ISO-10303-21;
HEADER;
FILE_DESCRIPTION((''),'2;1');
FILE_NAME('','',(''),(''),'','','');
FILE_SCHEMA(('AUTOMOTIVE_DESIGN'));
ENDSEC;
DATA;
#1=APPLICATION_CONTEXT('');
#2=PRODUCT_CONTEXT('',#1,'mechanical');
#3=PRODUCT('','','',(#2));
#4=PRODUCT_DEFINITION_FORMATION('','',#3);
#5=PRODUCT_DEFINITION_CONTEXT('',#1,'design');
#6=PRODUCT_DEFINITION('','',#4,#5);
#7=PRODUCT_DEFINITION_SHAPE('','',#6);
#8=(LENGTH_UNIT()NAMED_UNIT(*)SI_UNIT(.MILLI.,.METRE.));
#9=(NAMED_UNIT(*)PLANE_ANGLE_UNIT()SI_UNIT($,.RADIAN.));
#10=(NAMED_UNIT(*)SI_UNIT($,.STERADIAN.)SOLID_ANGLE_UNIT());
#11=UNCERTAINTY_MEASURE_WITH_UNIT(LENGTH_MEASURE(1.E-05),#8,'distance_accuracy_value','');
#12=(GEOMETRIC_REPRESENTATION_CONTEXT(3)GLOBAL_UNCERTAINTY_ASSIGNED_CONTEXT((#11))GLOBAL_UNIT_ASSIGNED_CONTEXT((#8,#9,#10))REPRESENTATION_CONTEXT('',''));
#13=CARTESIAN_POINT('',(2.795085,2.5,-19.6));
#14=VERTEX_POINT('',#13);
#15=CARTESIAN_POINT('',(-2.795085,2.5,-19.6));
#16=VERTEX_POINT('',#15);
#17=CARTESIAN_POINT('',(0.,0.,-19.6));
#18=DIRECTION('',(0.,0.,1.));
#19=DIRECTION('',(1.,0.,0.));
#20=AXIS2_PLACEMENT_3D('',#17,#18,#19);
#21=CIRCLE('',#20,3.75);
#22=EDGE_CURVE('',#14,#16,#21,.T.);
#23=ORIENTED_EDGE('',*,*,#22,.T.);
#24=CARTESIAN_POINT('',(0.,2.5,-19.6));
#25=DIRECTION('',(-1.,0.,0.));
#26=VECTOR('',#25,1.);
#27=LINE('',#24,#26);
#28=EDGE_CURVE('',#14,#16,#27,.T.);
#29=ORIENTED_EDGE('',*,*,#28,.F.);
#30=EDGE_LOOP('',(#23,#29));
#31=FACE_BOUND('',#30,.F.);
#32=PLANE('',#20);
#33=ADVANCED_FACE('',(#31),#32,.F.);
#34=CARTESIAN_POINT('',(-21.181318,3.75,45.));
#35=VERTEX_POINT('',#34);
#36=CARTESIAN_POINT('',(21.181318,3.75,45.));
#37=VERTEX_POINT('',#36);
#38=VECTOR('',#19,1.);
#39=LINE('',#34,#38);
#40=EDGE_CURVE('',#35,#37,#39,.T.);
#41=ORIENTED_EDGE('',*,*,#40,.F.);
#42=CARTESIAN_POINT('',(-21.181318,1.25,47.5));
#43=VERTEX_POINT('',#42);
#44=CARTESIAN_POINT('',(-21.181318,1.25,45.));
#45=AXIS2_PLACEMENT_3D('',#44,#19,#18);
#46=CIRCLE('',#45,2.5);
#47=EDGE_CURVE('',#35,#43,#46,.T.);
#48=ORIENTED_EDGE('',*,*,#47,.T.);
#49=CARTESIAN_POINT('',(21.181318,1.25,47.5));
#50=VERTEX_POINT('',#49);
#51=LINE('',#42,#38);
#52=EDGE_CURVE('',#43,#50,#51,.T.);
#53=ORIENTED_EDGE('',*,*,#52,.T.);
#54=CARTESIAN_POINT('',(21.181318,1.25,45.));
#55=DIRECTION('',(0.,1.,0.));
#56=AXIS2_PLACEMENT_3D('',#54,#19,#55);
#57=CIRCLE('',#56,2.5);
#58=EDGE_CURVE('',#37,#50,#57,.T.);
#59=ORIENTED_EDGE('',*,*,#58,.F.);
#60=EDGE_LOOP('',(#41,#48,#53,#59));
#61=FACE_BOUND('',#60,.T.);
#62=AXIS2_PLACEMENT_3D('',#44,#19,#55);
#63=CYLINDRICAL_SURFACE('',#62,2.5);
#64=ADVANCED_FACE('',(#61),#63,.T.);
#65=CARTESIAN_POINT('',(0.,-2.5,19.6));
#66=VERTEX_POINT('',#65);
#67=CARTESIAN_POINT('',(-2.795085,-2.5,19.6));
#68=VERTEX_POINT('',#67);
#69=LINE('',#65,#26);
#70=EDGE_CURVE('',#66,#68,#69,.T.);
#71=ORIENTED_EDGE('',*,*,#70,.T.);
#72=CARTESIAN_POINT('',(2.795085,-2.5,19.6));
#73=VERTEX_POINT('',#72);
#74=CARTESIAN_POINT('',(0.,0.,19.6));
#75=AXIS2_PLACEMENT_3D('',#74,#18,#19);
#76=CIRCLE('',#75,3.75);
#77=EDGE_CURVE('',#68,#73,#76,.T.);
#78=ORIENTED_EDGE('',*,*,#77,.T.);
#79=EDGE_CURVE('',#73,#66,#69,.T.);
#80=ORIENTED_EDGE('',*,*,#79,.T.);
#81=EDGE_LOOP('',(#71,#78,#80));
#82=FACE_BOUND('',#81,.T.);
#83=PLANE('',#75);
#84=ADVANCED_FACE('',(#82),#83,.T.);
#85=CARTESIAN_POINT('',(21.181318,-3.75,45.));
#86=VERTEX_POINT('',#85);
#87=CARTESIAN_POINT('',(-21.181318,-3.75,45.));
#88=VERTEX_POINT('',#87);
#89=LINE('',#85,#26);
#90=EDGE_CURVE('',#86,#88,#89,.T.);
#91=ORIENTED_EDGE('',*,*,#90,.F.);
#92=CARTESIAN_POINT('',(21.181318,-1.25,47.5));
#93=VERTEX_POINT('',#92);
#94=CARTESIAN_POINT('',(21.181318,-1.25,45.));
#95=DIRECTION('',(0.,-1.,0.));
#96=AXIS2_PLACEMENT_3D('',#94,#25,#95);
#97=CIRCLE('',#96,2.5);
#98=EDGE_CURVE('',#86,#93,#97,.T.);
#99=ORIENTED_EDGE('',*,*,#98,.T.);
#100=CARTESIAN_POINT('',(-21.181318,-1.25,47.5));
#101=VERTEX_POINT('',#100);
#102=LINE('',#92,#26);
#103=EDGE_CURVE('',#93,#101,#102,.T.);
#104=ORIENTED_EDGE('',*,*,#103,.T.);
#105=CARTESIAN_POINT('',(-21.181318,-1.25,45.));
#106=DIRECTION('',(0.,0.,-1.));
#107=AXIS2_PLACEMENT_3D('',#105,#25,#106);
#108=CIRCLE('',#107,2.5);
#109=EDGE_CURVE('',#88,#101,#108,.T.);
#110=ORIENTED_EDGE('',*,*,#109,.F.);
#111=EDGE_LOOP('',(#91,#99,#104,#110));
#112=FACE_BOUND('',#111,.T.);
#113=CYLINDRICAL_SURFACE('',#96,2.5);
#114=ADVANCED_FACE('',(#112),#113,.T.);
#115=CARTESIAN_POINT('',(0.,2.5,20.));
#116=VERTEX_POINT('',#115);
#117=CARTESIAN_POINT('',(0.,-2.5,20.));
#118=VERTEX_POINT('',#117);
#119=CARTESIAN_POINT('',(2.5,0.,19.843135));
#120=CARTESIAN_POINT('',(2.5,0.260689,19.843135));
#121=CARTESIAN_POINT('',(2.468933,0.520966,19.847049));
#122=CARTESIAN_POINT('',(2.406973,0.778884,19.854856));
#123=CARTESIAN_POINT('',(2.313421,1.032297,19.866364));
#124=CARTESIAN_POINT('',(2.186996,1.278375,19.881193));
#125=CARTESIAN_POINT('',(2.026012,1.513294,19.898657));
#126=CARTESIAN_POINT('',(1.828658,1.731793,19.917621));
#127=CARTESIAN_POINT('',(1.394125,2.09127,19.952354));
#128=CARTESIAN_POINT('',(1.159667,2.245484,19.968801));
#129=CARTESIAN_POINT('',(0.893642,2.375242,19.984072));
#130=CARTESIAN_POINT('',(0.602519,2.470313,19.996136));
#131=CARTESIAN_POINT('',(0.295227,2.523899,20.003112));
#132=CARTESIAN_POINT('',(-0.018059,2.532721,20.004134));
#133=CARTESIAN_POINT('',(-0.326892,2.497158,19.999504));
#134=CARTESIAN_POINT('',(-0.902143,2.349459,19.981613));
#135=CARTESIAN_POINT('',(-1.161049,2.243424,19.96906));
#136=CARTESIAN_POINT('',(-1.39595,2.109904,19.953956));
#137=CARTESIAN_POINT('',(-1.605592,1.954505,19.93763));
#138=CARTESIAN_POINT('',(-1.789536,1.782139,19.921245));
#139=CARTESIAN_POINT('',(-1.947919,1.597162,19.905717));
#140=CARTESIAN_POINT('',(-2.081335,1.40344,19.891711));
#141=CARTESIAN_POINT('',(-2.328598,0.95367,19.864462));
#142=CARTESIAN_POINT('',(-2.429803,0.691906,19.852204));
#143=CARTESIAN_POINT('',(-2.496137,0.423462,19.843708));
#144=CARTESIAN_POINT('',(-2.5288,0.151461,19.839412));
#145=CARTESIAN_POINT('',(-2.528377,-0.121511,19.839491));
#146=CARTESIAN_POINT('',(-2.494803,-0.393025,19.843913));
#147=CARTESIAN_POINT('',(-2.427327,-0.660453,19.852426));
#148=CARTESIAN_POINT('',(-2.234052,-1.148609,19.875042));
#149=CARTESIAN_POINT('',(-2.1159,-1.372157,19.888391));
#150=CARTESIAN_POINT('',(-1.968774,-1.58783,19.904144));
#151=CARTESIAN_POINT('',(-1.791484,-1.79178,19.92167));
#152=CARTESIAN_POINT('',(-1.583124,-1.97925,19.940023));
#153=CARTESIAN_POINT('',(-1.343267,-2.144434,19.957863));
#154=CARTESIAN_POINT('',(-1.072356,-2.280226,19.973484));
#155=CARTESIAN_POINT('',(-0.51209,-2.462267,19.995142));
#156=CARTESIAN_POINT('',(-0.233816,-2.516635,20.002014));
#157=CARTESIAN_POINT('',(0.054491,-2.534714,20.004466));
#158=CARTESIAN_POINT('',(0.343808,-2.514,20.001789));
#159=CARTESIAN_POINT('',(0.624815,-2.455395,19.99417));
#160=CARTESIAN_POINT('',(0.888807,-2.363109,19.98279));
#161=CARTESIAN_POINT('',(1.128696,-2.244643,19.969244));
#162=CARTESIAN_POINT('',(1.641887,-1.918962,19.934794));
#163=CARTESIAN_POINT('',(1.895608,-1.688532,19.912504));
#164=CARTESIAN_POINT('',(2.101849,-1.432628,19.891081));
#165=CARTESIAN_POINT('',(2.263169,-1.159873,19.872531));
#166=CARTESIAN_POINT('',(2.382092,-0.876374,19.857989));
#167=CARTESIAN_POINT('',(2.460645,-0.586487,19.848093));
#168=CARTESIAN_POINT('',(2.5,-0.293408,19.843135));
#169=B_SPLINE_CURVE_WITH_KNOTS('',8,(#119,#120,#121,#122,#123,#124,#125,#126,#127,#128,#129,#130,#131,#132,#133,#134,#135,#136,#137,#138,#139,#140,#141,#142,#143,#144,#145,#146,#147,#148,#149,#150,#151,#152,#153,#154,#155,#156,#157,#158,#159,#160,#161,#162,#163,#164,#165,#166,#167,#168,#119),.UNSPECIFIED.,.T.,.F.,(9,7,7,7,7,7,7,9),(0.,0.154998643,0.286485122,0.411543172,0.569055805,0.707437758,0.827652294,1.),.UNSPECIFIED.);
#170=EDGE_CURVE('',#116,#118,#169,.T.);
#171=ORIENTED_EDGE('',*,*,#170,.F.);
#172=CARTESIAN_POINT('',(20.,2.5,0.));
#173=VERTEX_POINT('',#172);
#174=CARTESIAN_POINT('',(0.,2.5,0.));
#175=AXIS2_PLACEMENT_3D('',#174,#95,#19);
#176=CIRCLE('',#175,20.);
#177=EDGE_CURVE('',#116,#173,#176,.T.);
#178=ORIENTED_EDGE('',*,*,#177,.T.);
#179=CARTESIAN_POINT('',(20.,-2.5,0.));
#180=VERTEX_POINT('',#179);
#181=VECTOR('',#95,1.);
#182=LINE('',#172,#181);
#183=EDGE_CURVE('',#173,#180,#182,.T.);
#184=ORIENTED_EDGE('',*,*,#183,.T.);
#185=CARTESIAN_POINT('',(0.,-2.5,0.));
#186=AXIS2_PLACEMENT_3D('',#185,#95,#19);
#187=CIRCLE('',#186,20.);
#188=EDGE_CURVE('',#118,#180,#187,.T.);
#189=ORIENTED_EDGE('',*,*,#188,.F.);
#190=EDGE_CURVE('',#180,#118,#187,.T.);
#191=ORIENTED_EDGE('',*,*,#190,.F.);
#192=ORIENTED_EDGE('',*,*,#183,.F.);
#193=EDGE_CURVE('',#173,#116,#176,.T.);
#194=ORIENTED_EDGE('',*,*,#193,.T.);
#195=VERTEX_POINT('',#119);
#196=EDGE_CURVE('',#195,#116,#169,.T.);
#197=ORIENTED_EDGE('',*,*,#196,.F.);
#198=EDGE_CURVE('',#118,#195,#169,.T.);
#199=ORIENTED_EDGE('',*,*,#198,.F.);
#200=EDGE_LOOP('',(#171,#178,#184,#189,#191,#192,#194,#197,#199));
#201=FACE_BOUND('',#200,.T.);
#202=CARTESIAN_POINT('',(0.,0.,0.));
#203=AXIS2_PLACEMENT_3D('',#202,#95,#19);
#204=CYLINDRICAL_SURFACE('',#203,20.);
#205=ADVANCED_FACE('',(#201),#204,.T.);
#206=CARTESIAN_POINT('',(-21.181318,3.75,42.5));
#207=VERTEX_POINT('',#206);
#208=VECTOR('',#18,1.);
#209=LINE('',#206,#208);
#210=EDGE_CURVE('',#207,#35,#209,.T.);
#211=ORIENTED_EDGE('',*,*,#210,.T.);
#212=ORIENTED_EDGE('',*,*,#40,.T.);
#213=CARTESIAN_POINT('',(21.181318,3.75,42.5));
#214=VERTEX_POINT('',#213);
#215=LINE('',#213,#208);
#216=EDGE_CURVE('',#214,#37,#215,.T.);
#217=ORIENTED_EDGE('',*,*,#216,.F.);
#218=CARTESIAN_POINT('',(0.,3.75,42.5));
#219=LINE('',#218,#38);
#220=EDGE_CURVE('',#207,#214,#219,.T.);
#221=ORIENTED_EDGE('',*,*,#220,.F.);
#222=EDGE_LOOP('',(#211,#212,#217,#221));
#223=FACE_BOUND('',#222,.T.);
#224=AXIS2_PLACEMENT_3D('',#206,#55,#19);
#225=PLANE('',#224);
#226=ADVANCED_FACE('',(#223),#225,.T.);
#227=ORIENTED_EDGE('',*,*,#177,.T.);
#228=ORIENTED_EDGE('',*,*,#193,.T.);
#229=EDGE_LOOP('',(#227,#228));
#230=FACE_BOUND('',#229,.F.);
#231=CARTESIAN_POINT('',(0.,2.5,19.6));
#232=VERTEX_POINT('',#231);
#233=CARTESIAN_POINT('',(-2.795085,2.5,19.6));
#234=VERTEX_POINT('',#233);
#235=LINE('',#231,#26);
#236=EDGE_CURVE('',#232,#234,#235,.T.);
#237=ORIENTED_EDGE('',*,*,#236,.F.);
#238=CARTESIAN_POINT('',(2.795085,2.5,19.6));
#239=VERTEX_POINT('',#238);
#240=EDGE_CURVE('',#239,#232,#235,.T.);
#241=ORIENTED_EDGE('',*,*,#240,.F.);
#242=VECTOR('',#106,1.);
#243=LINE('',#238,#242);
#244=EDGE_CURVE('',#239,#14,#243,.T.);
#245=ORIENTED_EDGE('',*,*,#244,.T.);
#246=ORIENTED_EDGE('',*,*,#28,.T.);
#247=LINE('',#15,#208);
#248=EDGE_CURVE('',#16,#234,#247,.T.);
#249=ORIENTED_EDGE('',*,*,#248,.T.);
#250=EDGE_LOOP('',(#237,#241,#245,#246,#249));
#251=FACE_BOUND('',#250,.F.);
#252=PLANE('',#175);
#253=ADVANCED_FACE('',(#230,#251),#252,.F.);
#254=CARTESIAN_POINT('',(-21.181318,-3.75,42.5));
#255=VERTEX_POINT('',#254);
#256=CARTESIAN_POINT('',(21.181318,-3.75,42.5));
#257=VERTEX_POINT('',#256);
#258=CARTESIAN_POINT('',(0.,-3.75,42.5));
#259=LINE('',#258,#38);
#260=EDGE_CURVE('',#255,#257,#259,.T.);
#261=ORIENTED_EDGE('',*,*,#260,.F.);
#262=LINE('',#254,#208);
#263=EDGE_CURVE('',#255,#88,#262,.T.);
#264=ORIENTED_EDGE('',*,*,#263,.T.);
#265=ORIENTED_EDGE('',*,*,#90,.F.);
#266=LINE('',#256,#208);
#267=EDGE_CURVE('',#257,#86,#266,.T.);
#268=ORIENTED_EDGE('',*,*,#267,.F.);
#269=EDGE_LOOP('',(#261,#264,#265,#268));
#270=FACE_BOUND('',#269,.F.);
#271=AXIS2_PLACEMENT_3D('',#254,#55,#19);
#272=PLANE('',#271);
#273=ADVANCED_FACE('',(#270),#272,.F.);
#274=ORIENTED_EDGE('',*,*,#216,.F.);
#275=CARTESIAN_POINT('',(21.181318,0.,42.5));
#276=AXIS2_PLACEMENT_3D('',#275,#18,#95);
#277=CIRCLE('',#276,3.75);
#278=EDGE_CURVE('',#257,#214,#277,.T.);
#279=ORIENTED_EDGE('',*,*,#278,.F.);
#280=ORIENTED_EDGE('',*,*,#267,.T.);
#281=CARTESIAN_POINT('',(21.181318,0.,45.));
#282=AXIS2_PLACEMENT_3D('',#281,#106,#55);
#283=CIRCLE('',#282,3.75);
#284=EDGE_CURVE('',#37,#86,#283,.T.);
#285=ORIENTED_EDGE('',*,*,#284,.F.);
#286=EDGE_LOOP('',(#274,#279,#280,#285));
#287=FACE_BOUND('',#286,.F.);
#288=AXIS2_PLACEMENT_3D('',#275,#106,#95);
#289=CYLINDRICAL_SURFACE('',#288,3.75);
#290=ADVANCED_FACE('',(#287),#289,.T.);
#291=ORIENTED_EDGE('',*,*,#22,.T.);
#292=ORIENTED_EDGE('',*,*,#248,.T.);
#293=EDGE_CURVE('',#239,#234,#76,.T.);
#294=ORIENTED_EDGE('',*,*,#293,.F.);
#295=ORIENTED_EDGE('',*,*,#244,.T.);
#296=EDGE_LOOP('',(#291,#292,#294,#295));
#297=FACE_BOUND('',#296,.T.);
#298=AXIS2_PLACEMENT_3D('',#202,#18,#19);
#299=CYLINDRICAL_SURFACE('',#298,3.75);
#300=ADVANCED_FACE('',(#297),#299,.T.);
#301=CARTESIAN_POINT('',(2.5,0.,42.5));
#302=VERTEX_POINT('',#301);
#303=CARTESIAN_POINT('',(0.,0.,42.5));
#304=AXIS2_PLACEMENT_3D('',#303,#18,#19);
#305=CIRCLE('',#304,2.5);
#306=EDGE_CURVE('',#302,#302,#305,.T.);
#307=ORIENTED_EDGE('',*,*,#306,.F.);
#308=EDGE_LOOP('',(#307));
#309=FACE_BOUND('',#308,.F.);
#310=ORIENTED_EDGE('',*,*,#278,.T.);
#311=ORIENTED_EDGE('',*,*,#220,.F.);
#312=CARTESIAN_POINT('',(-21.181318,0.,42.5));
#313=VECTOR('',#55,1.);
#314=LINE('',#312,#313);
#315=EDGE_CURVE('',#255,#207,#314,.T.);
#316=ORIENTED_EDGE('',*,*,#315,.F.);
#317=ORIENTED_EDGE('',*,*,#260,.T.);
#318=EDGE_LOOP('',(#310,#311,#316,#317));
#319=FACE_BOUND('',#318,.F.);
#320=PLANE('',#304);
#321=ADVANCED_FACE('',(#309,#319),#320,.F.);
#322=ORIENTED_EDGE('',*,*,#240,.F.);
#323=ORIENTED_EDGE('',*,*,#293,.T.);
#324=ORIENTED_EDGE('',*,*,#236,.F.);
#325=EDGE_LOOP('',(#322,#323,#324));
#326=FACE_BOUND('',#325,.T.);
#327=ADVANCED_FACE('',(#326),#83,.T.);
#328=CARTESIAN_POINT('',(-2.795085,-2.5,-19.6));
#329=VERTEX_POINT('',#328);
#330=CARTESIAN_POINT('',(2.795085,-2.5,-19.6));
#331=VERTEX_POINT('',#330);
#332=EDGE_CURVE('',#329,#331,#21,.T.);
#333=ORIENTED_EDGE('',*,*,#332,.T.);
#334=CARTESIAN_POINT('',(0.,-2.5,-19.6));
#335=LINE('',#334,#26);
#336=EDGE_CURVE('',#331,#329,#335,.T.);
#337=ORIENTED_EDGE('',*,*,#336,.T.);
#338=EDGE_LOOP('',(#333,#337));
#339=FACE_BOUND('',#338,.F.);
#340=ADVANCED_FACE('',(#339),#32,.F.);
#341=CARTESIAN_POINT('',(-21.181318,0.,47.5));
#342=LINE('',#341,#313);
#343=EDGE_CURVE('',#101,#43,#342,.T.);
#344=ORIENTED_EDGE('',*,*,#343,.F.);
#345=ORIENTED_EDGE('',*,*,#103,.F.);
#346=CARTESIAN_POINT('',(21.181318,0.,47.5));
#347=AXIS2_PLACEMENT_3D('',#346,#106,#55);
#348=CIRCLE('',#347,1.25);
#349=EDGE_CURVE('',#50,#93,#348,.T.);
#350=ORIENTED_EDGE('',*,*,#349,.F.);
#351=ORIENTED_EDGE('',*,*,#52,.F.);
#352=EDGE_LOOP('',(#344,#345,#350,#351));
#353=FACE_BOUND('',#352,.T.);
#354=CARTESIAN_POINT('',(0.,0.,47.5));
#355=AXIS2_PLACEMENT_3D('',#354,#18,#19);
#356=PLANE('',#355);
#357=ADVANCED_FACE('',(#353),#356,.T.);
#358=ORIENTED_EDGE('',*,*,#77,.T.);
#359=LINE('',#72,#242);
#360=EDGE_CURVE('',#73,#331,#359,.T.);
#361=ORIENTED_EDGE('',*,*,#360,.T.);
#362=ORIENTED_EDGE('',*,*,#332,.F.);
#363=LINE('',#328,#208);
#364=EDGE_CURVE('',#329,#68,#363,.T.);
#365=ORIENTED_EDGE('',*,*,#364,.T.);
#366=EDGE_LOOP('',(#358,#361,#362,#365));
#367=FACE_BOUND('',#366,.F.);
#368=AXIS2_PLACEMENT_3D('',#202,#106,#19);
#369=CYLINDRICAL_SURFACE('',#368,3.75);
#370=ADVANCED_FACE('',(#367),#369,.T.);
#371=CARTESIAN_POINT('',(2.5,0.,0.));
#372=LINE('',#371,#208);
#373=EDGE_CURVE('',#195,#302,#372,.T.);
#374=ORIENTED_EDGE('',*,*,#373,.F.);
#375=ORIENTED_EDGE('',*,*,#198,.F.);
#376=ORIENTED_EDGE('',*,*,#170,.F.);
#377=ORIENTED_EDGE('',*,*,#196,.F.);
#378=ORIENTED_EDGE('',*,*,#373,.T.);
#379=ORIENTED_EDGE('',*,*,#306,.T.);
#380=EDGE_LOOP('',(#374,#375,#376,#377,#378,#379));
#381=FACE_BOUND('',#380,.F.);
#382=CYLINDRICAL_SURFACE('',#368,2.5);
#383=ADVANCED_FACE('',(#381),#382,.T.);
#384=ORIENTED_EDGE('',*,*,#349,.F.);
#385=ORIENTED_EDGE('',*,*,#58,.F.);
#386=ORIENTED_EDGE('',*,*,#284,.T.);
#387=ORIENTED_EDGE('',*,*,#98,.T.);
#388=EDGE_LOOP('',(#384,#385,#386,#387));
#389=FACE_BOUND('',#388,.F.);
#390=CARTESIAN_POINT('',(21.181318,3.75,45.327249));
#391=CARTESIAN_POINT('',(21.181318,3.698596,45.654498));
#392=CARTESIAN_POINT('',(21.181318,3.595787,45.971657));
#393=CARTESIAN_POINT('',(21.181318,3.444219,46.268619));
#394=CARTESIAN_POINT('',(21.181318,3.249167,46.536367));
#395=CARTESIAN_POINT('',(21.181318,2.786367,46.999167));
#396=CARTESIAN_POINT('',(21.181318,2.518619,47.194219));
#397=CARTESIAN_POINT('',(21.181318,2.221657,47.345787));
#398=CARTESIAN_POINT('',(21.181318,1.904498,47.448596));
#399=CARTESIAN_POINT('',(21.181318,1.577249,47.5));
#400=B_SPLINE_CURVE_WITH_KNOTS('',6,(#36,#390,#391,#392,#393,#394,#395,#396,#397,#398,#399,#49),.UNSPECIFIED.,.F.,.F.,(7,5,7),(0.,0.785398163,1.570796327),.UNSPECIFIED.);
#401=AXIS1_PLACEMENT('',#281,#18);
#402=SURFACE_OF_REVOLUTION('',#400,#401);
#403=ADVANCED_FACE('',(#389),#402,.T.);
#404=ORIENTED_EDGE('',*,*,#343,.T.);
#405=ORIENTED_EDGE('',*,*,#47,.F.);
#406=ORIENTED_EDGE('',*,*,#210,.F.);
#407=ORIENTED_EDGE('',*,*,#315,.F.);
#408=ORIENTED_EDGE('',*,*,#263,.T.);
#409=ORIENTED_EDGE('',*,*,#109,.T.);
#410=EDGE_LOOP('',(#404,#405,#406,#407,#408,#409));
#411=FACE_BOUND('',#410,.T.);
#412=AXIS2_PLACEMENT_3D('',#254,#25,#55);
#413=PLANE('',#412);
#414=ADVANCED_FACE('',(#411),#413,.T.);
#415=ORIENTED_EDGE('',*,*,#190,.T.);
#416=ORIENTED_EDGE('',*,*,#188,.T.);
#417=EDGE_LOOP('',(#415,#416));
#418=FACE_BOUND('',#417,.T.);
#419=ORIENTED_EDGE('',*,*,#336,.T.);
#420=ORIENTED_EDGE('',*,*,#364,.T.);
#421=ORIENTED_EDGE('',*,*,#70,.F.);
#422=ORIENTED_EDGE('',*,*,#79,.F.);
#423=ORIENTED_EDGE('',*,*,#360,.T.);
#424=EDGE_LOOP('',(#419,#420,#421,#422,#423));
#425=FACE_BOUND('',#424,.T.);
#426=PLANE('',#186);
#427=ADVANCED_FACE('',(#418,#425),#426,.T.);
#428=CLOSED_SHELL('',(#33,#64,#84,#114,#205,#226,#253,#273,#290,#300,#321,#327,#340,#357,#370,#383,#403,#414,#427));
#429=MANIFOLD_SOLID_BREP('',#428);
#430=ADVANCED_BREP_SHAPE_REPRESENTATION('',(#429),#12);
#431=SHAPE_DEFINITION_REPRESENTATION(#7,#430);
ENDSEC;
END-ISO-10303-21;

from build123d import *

# Parameters (mm, degrees)
F0_R          = 20
F1_DEPTH      = 2.5
F2_R          = 2.5
F3_DEPTH      = 42.5
F4_W          = 42.362636
F4_H          = 7.5
F5_DEPTH      = 5
F6_R          = 2.5
F7_R          = 3.75
F8_DEPTH      = 19.6
F8_DEPTH_BACK = 19.6


with BuildPart() as f1:
    # F0 (on Front) → F1 (new body, symmetric)
    with BuildSketch(Plane.XZ):
        Circle(F0_R)
    extrude(amount=F1_DEPTH, both=True)

    # F2 (on Top) → F3 (join)
    with BuildSketch(Plane.XY):
        Circle(F2_R)
    extrude(amount=F3_DEPTH)

    # F4 (on face) → F5 (join)
    with BuildSketch(Plane.XY.offset(42.5)):
        Rectangle(F4_W, F4_H)
        with BuildLine():
            ThreePointArc((21.181318, -3.75), (24.931318, 0), (21.181318, 3.75))
            Line((21.181318, 3.75), (21.181318, -3.75))
        make_face()
    extrude(amount=F5_DEPTH)

    # F6
    f6_edges = [f1.edges().sort_by_distance(p)[0] for p in [
        (0, 3.75, 47.5),
        (0, -3.75, 47.5),
        (24.931318, 0, 47.5),
    ]]
    fillet(f6_edges, radius=F6_R)

    # F7 (on Top) → F8 (join, two sides)
    with BuildSketch(Plane.XY) as f8_sk:
        Circle(F7_R)
    extrude(amount=F8_DEPTH)
    extrude(f8_sk.sketch, amount=-F8_DEPTH_BACK)


solid = f1.part
